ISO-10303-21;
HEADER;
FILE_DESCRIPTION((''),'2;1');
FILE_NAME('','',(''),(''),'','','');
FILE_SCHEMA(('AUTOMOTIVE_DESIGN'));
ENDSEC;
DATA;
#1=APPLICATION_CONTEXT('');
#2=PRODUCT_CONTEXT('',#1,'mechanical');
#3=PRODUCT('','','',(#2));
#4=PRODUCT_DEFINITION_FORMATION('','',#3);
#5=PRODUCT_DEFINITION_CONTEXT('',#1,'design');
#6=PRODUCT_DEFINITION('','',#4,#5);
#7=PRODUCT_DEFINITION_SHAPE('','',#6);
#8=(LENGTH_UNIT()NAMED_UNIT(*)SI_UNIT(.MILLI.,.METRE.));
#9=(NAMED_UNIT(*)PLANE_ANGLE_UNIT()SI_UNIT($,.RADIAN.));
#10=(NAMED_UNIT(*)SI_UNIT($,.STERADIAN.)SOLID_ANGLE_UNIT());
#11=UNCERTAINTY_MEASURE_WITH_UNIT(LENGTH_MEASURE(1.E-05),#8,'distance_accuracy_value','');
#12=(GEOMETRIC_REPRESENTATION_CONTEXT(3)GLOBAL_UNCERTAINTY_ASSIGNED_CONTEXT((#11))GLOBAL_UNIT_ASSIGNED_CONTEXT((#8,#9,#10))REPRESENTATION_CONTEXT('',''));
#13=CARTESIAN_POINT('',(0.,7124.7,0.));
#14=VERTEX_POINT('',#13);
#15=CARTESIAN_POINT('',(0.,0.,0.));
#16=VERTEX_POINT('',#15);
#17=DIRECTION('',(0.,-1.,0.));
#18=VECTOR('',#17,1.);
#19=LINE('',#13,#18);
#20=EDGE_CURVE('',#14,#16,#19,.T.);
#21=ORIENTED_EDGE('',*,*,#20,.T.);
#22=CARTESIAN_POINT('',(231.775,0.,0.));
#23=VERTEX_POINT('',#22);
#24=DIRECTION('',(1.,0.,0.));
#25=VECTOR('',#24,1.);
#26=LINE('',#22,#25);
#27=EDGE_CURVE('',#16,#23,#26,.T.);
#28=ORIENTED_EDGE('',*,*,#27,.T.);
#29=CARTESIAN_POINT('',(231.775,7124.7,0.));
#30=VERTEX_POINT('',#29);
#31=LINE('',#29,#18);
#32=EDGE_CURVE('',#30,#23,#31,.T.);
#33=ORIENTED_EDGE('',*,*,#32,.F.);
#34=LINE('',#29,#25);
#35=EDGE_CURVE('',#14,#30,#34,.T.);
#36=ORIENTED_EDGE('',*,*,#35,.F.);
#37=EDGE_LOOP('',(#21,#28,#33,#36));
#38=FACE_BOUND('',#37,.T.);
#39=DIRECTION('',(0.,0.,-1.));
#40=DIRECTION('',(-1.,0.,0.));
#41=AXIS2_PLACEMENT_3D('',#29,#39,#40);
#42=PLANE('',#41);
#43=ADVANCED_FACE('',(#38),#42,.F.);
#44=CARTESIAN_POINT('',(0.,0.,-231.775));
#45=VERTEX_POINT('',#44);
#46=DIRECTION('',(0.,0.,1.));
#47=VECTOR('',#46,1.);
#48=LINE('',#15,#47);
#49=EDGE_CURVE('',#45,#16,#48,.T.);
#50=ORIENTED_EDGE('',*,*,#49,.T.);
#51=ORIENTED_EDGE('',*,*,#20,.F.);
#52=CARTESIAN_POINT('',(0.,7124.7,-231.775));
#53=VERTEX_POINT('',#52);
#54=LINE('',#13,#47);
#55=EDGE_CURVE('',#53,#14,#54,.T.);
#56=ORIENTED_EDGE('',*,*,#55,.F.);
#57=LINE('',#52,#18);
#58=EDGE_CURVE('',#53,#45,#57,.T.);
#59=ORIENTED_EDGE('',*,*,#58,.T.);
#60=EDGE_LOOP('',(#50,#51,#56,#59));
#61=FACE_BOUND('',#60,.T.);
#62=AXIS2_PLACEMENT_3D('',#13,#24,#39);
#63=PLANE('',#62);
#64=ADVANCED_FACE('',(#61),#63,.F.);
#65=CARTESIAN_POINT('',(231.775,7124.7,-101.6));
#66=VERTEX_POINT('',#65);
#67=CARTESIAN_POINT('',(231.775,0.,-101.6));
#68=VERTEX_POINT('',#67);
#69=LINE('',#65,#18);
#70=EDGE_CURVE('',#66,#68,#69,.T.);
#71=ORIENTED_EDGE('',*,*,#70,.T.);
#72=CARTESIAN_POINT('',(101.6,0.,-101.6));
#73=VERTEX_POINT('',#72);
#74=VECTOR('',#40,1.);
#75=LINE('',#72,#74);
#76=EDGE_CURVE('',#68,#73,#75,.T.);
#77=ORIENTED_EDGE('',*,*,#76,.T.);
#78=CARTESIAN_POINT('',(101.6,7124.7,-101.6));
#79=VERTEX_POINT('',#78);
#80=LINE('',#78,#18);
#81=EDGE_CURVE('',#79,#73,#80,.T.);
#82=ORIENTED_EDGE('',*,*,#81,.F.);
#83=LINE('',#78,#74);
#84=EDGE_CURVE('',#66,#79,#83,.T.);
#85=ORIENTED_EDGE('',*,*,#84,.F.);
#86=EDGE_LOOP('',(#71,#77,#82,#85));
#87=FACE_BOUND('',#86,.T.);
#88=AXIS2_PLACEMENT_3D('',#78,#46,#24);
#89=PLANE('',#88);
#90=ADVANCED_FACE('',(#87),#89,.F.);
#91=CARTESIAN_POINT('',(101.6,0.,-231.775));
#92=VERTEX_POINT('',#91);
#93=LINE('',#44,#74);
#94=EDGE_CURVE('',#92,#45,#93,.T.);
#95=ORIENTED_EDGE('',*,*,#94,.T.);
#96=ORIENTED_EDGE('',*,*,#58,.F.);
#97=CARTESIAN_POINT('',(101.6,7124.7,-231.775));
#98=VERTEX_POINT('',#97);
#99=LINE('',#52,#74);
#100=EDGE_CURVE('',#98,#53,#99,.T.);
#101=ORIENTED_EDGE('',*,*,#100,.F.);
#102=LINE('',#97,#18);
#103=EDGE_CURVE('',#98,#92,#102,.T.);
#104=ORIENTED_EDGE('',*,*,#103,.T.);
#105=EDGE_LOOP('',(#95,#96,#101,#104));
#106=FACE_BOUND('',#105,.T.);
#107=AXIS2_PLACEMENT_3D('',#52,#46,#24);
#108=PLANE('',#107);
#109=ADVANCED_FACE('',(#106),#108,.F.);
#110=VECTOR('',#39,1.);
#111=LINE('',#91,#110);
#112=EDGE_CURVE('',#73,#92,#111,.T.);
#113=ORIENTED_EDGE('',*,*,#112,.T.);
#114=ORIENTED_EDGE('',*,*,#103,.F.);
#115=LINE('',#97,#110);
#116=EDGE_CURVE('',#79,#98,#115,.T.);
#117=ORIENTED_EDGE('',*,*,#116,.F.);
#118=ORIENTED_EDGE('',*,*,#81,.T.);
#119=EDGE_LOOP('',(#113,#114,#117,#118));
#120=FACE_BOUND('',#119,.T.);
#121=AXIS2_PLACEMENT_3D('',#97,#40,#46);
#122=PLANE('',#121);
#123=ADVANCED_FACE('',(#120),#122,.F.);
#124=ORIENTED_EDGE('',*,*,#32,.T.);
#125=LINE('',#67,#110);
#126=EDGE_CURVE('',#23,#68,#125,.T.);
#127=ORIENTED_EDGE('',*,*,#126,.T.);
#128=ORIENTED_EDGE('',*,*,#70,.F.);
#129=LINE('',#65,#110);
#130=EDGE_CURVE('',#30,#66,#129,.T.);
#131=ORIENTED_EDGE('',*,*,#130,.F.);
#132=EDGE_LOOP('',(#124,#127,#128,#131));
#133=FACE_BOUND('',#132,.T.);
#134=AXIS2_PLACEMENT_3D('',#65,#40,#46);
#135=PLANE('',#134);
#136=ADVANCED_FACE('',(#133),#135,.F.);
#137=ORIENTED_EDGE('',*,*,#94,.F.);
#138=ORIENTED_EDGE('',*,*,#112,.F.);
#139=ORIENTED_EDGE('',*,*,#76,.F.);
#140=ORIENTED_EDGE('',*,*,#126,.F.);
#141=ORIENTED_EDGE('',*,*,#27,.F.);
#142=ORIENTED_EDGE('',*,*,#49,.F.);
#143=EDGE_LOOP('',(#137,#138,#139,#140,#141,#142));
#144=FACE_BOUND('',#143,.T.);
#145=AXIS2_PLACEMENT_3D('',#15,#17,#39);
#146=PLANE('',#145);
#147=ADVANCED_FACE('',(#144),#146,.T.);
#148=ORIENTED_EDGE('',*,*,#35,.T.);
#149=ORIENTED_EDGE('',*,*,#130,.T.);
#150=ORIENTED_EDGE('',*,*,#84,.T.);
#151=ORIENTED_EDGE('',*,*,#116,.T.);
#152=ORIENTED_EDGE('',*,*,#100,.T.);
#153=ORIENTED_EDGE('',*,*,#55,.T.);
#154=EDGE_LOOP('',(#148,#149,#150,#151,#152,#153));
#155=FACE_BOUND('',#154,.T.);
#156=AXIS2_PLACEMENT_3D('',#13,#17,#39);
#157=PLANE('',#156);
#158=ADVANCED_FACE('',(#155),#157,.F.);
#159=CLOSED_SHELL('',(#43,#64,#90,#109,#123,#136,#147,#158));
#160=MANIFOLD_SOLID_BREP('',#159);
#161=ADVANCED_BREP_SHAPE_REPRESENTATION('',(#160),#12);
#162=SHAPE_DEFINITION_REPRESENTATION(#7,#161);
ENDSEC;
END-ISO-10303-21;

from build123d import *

# Parameters (mm, degrees)
BOSS_EXTRUDE1_DEPTH = 7124.7


with BuildPart() as part:
    # Sketch1 → Boss-Extrude1 (new body)
    with BuildSketch(Plane(origin=(0, 0, 0), x_dir=(1, 0, 0), z_dir=(0, 1, 0))):
        Polygon((0, 0), (0, 231.775), (101.6, 231.775), (101.6, 101.6), (231.775, 101.6), (231.775, 0), align=None)
    extrude(amount=BOSS_EXTRUDE1_DEPTH)


solid = part.part
